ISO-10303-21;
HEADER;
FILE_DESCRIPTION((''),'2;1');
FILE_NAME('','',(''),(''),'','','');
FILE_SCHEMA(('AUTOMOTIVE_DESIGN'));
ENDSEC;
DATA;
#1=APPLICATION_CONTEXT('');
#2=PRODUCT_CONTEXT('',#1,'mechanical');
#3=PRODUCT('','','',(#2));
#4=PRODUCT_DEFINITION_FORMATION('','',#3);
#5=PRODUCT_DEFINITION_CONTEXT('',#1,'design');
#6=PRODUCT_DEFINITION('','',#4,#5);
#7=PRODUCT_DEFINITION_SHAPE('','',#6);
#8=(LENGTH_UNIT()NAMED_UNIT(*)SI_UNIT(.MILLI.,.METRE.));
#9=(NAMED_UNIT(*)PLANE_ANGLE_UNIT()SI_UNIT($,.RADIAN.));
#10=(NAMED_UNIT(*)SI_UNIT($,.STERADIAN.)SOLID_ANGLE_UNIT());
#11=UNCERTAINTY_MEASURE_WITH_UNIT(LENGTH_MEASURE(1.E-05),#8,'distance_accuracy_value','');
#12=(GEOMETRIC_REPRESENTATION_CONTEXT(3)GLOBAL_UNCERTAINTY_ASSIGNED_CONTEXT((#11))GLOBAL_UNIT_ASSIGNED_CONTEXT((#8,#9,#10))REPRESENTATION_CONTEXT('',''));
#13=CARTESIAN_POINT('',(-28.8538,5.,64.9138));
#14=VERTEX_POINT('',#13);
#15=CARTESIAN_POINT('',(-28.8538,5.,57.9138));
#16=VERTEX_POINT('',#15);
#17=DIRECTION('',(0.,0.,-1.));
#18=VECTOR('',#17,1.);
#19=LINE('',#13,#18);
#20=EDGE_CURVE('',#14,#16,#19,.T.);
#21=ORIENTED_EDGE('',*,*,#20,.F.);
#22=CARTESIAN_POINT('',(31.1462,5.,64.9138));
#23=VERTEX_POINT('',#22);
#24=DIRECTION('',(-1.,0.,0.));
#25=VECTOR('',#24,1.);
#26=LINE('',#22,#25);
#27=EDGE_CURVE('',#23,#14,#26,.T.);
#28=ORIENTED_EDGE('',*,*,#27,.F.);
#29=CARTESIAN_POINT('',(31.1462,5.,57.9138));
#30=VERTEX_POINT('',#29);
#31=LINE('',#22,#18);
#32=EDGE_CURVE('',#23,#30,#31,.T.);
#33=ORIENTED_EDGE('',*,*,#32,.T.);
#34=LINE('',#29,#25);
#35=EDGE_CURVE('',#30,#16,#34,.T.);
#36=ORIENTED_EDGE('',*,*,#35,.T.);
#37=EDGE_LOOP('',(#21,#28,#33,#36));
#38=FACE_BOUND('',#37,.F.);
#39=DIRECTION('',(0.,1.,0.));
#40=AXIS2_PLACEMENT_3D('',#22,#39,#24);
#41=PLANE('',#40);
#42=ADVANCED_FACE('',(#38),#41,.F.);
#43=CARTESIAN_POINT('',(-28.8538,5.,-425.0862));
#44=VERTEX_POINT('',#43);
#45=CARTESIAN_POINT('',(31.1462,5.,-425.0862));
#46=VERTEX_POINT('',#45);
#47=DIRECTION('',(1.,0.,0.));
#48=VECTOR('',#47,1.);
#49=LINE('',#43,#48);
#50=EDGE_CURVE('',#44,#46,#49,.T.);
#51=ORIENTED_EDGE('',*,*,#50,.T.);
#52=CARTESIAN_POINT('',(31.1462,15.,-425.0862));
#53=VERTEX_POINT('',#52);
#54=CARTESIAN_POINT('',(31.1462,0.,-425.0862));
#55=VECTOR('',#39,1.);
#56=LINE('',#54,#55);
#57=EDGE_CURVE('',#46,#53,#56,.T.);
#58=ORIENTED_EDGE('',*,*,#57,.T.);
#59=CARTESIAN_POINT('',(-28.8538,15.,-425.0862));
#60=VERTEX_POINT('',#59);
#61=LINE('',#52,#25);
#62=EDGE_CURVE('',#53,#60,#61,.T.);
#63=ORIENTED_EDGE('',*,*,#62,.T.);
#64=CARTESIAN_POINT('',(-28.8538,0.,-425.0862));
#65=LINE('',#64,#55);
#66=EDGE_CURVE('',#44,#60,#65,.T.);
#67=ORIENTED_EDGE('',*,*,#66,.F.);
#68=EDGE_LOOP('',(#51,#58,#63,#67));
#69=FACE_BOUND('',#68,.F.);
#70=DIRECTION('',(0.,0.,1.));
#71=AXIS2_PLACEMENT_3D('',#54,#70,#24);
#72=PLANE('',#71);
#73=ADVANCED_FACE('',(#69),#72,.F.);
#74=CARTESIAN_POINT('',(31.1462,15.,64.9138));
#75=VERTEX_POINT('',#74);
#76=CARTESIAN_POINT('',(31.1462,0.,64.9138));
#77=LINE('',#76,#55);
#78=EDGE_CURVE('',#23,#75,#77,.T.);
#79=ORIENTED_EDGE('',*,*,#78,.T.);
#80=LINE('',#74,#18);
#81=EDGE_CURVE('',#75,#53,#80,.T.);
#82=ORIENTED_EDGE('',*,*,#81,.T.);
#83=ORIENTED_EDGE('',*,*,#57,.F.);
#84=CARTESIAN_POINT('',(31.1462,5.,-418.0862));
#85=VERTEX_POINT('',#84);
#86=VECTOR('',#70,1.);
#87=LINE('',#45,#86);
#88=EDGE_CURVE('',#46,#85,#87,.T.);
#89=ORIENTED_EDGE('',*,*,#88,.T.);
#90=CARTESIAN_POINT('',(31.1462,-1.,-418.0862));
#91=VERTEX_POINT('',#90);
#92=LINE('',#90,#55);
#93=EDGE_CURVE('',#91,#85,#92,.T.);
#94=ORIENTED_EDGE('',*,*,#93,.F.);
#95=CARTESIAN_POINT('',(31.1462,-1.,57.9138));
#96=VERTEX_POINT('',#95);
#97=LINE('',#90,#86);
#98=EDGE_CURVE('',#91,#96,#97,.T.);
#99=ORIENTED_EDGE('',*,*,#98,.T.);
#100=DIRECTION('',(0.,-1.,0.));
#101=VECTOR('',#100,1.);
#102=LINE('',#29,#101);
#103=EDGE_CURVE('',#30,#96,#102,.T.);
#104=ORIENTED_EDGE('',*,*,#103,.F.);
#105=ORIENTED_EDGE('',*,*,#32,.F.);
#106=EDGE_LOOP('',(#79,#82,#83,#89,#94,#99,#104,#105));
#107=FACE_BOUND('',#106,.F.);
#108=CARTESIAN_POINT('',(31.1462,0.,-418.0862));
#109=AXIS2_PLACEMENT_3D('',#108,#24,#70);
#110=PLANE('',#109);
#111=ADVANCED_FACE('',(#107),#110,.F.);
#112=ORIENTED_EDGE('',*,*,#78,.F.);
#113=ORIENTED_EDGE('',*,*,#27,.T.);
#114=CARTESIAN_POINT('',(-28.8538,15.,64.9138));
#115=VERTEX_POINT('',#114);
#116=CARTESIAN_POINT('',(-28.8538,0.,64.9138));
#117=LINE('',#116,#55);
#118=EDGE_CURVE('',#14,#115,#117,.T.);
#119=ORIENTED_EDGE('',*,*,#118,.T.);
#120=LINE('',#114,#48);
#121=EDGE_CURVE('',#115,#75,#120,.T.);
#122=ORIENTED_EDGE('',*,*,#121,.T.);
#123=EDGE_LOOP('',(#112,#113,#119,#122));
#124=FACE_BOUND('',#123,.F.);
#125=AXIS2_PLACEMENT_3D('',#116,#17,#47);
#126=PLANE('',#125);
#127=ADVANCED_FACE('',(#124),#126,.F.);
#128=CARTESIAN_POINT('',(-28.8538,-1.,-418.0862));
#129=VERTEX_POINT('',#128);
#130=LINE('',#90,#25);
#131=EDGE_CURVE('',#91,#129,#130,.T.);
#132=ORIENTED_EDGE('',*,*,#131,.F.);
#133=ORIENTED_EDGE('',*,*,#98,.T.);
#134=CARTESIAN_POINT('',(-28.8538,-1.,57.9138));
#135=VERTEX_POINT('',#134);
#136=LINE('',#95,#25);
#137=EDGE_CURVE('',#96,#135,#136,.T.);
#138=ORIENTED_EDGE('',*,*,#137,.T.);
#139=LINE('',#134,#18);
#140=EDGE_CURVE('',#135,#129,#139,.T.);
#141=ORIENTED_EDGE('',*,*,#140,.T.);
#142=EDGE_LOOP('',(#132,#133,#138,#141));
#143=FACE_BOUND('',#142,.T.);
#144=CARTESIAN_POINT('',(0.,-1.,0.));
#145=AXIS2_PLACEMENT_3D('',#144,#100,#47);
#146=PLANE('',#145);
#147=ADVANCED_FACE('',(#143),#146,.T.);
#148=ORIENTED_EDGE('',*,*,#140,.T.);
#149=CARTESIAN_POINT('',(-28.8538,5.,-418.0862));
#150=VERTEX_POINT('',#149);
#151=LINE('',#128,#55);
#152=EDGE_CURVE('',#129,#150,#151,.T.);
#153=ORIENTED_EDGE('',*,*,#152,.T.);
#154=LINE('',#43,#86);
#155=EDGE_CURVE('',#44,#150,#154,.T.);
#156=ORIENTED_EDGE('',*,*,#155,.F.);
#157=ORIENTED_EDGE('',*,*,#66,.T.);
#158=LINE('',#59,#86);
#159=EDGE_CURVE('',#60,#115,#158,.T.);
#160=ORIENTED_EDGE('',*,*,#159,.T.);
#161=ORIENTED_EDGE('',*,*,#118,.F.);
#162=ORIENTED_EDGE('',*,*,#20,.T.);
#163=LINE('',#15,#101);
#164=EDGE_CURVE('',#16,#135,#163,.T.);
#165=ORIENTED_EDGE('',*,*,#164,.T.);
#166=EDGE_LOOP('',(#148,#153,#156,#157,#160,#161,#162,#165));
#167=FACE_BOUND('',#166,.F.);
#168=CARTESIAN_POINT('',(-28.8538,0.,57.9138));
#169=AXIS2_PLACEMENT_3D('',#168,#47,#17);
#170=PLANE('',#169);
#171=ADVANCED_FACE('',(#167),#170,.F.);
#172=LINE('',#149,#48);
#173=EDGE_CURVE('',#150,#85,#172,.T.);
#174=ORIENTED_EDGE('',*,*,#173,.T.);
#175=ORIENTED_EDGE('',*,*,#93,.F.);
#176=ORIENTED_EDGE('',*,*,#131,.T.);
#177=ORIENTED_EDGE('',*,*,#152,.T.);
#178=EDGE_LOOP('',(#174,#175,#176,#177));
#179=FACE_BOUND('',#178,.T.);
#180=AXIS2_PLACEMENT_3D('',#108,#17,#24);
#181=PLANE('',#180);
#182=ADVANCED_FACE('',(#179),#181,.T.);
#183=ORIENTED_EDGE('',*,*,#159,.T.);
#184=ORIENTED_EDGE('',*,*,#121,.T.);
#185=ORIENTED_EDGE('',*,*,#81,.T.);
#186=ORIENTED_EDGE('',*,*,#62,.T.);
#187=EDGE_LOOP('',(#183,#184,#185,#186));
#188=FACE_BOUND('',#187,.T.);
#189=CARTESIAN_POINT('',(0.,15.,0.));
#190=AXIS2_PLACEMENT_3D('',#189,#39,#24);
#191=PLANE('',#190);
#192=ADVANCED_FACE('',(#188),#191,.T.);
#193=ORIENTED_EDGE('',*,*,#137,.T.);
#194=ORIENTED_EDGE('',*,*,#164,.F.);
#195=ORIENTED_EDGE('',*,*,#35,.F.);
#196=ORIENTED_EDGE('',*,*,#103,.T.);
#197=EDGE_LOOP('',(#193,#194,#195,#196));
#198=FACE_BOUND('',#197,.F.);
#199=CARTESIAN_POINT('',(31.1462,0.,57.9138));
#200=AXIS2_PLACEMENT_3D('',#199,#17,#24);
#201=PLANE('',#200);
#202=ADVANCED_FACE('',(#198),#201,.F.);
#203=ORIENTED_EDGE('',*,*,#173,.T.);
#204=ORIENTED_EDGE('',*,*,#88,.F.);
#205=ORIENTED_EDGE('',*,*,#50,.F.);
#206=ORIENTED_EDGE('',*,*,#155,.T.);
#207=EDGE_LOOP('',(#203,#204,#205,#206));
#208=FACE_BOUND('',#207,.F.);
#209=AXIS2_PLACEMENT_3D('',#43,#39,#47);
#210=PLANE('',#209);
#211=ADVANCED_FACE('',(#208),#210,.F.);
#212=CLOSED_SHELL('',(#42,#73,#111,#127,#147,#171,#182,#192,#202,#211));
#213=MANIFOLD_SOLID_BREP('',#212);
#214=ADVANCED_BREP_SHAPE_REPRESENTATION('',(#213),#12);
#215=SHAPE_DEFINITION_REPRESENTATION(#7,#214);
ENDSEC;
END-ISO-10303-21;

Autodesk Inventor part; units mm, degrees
ref_plane "YZ Plane" through (0, 0, 0) normal (1, 0, 0) x (0, 1, 0)
ref_plane "XZ Plane" through (0, 0, 0) normal (0, 1, 0) x (-1, 0, 0)
ref_plane "XY Plane" through (0, 0, 0) normal (0, 0, 1) x (1, 0, 0)
sketch "Sketch1" plane through (0, 0, 0) normal (0, 1, 0) x (-1, 0, 0)
  line L0 (28.8538, 64.9138) -> (-31.1462, 64.9138)
  line L1 (-31.1462, 64.9138) -> (-31.1462, -425.0862)
  line L2 (-31.1462, -425.0862) -> (28.8538, -425.0862)
  line L3 (28.8538, -425.0862) -> (28.8538, 64.9138)
  point P0 (0, 0)
  dimension "d0" = 60
  dimension "d1" = 490
extrude "Extrusion1" add sketch "Sketch1" along normal blind 15
sketch "Sketch2" plane through (-28.8538, 0, 64.9138) normal (0, 0, 1) x (1, 0, 0)
  line L0 (60, 0) -> (0, 0) projected
  line L1 (0, 0) -> (60, 0)
  line L2 (60, 0) -> (60, 5)
  line L3 (60, 5) -> (0, 5)
  line L4 (0, 5) -> (0, 0)
  point P0 (28.8538, 0)
  point P1 (60, 0)
  dimension "d4" = 60
  dimension "d5" = 5
extrude "Extrusion2" cut sketch "Sketch2" against normal blind 7
sketch "Sketch3" plane through (31.1462, 0, -425.0862) normal (0, 0, -1) x (-1, 0, 0)
  line L0 (0, 0) -> (60, 0) projected
  line L1 (0, 0) -> (60, 0)
  line L2 (60, 0) -> (60, 5)
  line L3 (60, 5) -> (0, 5)
  line L4 (0, 5) -> (0, 0)
  point P0 (31.1462, 0)
  point P1 (60, 0)
  dimension "d8" = 60
  dimension "d9" = 5
extrude "Extrusion3" cut sketch "Sketch3" against normal blind 7
sketch "Sketch4" plane through (0, 0, 0) normal (0, -1, 0) x (1, 0, 0)
  line L0 (31.1462, 57.9138) -> (-28.8538, 57.9138) projected
  line L1 (31.1462, -418.0862) -> (-28.8538, -418.0862) projected
  line L2 (31.1462, 57.9138) -> (-28.8538, 57.9138)
  line L3 (-28.8538, 57.9138) -> (-28.8538, -418.0862)
  line L4 (-28.8538, -418.0862) -> (31.1462, -418.0862)
  line L5 (31.1462, -418.0862) -> (31.1462, 57.9138)
  point P0 (0, 0)
extrude "Extrusion4" add sketch "Sketch4" along normal blind 1
properties part number "Arcade_MonitorStand"
